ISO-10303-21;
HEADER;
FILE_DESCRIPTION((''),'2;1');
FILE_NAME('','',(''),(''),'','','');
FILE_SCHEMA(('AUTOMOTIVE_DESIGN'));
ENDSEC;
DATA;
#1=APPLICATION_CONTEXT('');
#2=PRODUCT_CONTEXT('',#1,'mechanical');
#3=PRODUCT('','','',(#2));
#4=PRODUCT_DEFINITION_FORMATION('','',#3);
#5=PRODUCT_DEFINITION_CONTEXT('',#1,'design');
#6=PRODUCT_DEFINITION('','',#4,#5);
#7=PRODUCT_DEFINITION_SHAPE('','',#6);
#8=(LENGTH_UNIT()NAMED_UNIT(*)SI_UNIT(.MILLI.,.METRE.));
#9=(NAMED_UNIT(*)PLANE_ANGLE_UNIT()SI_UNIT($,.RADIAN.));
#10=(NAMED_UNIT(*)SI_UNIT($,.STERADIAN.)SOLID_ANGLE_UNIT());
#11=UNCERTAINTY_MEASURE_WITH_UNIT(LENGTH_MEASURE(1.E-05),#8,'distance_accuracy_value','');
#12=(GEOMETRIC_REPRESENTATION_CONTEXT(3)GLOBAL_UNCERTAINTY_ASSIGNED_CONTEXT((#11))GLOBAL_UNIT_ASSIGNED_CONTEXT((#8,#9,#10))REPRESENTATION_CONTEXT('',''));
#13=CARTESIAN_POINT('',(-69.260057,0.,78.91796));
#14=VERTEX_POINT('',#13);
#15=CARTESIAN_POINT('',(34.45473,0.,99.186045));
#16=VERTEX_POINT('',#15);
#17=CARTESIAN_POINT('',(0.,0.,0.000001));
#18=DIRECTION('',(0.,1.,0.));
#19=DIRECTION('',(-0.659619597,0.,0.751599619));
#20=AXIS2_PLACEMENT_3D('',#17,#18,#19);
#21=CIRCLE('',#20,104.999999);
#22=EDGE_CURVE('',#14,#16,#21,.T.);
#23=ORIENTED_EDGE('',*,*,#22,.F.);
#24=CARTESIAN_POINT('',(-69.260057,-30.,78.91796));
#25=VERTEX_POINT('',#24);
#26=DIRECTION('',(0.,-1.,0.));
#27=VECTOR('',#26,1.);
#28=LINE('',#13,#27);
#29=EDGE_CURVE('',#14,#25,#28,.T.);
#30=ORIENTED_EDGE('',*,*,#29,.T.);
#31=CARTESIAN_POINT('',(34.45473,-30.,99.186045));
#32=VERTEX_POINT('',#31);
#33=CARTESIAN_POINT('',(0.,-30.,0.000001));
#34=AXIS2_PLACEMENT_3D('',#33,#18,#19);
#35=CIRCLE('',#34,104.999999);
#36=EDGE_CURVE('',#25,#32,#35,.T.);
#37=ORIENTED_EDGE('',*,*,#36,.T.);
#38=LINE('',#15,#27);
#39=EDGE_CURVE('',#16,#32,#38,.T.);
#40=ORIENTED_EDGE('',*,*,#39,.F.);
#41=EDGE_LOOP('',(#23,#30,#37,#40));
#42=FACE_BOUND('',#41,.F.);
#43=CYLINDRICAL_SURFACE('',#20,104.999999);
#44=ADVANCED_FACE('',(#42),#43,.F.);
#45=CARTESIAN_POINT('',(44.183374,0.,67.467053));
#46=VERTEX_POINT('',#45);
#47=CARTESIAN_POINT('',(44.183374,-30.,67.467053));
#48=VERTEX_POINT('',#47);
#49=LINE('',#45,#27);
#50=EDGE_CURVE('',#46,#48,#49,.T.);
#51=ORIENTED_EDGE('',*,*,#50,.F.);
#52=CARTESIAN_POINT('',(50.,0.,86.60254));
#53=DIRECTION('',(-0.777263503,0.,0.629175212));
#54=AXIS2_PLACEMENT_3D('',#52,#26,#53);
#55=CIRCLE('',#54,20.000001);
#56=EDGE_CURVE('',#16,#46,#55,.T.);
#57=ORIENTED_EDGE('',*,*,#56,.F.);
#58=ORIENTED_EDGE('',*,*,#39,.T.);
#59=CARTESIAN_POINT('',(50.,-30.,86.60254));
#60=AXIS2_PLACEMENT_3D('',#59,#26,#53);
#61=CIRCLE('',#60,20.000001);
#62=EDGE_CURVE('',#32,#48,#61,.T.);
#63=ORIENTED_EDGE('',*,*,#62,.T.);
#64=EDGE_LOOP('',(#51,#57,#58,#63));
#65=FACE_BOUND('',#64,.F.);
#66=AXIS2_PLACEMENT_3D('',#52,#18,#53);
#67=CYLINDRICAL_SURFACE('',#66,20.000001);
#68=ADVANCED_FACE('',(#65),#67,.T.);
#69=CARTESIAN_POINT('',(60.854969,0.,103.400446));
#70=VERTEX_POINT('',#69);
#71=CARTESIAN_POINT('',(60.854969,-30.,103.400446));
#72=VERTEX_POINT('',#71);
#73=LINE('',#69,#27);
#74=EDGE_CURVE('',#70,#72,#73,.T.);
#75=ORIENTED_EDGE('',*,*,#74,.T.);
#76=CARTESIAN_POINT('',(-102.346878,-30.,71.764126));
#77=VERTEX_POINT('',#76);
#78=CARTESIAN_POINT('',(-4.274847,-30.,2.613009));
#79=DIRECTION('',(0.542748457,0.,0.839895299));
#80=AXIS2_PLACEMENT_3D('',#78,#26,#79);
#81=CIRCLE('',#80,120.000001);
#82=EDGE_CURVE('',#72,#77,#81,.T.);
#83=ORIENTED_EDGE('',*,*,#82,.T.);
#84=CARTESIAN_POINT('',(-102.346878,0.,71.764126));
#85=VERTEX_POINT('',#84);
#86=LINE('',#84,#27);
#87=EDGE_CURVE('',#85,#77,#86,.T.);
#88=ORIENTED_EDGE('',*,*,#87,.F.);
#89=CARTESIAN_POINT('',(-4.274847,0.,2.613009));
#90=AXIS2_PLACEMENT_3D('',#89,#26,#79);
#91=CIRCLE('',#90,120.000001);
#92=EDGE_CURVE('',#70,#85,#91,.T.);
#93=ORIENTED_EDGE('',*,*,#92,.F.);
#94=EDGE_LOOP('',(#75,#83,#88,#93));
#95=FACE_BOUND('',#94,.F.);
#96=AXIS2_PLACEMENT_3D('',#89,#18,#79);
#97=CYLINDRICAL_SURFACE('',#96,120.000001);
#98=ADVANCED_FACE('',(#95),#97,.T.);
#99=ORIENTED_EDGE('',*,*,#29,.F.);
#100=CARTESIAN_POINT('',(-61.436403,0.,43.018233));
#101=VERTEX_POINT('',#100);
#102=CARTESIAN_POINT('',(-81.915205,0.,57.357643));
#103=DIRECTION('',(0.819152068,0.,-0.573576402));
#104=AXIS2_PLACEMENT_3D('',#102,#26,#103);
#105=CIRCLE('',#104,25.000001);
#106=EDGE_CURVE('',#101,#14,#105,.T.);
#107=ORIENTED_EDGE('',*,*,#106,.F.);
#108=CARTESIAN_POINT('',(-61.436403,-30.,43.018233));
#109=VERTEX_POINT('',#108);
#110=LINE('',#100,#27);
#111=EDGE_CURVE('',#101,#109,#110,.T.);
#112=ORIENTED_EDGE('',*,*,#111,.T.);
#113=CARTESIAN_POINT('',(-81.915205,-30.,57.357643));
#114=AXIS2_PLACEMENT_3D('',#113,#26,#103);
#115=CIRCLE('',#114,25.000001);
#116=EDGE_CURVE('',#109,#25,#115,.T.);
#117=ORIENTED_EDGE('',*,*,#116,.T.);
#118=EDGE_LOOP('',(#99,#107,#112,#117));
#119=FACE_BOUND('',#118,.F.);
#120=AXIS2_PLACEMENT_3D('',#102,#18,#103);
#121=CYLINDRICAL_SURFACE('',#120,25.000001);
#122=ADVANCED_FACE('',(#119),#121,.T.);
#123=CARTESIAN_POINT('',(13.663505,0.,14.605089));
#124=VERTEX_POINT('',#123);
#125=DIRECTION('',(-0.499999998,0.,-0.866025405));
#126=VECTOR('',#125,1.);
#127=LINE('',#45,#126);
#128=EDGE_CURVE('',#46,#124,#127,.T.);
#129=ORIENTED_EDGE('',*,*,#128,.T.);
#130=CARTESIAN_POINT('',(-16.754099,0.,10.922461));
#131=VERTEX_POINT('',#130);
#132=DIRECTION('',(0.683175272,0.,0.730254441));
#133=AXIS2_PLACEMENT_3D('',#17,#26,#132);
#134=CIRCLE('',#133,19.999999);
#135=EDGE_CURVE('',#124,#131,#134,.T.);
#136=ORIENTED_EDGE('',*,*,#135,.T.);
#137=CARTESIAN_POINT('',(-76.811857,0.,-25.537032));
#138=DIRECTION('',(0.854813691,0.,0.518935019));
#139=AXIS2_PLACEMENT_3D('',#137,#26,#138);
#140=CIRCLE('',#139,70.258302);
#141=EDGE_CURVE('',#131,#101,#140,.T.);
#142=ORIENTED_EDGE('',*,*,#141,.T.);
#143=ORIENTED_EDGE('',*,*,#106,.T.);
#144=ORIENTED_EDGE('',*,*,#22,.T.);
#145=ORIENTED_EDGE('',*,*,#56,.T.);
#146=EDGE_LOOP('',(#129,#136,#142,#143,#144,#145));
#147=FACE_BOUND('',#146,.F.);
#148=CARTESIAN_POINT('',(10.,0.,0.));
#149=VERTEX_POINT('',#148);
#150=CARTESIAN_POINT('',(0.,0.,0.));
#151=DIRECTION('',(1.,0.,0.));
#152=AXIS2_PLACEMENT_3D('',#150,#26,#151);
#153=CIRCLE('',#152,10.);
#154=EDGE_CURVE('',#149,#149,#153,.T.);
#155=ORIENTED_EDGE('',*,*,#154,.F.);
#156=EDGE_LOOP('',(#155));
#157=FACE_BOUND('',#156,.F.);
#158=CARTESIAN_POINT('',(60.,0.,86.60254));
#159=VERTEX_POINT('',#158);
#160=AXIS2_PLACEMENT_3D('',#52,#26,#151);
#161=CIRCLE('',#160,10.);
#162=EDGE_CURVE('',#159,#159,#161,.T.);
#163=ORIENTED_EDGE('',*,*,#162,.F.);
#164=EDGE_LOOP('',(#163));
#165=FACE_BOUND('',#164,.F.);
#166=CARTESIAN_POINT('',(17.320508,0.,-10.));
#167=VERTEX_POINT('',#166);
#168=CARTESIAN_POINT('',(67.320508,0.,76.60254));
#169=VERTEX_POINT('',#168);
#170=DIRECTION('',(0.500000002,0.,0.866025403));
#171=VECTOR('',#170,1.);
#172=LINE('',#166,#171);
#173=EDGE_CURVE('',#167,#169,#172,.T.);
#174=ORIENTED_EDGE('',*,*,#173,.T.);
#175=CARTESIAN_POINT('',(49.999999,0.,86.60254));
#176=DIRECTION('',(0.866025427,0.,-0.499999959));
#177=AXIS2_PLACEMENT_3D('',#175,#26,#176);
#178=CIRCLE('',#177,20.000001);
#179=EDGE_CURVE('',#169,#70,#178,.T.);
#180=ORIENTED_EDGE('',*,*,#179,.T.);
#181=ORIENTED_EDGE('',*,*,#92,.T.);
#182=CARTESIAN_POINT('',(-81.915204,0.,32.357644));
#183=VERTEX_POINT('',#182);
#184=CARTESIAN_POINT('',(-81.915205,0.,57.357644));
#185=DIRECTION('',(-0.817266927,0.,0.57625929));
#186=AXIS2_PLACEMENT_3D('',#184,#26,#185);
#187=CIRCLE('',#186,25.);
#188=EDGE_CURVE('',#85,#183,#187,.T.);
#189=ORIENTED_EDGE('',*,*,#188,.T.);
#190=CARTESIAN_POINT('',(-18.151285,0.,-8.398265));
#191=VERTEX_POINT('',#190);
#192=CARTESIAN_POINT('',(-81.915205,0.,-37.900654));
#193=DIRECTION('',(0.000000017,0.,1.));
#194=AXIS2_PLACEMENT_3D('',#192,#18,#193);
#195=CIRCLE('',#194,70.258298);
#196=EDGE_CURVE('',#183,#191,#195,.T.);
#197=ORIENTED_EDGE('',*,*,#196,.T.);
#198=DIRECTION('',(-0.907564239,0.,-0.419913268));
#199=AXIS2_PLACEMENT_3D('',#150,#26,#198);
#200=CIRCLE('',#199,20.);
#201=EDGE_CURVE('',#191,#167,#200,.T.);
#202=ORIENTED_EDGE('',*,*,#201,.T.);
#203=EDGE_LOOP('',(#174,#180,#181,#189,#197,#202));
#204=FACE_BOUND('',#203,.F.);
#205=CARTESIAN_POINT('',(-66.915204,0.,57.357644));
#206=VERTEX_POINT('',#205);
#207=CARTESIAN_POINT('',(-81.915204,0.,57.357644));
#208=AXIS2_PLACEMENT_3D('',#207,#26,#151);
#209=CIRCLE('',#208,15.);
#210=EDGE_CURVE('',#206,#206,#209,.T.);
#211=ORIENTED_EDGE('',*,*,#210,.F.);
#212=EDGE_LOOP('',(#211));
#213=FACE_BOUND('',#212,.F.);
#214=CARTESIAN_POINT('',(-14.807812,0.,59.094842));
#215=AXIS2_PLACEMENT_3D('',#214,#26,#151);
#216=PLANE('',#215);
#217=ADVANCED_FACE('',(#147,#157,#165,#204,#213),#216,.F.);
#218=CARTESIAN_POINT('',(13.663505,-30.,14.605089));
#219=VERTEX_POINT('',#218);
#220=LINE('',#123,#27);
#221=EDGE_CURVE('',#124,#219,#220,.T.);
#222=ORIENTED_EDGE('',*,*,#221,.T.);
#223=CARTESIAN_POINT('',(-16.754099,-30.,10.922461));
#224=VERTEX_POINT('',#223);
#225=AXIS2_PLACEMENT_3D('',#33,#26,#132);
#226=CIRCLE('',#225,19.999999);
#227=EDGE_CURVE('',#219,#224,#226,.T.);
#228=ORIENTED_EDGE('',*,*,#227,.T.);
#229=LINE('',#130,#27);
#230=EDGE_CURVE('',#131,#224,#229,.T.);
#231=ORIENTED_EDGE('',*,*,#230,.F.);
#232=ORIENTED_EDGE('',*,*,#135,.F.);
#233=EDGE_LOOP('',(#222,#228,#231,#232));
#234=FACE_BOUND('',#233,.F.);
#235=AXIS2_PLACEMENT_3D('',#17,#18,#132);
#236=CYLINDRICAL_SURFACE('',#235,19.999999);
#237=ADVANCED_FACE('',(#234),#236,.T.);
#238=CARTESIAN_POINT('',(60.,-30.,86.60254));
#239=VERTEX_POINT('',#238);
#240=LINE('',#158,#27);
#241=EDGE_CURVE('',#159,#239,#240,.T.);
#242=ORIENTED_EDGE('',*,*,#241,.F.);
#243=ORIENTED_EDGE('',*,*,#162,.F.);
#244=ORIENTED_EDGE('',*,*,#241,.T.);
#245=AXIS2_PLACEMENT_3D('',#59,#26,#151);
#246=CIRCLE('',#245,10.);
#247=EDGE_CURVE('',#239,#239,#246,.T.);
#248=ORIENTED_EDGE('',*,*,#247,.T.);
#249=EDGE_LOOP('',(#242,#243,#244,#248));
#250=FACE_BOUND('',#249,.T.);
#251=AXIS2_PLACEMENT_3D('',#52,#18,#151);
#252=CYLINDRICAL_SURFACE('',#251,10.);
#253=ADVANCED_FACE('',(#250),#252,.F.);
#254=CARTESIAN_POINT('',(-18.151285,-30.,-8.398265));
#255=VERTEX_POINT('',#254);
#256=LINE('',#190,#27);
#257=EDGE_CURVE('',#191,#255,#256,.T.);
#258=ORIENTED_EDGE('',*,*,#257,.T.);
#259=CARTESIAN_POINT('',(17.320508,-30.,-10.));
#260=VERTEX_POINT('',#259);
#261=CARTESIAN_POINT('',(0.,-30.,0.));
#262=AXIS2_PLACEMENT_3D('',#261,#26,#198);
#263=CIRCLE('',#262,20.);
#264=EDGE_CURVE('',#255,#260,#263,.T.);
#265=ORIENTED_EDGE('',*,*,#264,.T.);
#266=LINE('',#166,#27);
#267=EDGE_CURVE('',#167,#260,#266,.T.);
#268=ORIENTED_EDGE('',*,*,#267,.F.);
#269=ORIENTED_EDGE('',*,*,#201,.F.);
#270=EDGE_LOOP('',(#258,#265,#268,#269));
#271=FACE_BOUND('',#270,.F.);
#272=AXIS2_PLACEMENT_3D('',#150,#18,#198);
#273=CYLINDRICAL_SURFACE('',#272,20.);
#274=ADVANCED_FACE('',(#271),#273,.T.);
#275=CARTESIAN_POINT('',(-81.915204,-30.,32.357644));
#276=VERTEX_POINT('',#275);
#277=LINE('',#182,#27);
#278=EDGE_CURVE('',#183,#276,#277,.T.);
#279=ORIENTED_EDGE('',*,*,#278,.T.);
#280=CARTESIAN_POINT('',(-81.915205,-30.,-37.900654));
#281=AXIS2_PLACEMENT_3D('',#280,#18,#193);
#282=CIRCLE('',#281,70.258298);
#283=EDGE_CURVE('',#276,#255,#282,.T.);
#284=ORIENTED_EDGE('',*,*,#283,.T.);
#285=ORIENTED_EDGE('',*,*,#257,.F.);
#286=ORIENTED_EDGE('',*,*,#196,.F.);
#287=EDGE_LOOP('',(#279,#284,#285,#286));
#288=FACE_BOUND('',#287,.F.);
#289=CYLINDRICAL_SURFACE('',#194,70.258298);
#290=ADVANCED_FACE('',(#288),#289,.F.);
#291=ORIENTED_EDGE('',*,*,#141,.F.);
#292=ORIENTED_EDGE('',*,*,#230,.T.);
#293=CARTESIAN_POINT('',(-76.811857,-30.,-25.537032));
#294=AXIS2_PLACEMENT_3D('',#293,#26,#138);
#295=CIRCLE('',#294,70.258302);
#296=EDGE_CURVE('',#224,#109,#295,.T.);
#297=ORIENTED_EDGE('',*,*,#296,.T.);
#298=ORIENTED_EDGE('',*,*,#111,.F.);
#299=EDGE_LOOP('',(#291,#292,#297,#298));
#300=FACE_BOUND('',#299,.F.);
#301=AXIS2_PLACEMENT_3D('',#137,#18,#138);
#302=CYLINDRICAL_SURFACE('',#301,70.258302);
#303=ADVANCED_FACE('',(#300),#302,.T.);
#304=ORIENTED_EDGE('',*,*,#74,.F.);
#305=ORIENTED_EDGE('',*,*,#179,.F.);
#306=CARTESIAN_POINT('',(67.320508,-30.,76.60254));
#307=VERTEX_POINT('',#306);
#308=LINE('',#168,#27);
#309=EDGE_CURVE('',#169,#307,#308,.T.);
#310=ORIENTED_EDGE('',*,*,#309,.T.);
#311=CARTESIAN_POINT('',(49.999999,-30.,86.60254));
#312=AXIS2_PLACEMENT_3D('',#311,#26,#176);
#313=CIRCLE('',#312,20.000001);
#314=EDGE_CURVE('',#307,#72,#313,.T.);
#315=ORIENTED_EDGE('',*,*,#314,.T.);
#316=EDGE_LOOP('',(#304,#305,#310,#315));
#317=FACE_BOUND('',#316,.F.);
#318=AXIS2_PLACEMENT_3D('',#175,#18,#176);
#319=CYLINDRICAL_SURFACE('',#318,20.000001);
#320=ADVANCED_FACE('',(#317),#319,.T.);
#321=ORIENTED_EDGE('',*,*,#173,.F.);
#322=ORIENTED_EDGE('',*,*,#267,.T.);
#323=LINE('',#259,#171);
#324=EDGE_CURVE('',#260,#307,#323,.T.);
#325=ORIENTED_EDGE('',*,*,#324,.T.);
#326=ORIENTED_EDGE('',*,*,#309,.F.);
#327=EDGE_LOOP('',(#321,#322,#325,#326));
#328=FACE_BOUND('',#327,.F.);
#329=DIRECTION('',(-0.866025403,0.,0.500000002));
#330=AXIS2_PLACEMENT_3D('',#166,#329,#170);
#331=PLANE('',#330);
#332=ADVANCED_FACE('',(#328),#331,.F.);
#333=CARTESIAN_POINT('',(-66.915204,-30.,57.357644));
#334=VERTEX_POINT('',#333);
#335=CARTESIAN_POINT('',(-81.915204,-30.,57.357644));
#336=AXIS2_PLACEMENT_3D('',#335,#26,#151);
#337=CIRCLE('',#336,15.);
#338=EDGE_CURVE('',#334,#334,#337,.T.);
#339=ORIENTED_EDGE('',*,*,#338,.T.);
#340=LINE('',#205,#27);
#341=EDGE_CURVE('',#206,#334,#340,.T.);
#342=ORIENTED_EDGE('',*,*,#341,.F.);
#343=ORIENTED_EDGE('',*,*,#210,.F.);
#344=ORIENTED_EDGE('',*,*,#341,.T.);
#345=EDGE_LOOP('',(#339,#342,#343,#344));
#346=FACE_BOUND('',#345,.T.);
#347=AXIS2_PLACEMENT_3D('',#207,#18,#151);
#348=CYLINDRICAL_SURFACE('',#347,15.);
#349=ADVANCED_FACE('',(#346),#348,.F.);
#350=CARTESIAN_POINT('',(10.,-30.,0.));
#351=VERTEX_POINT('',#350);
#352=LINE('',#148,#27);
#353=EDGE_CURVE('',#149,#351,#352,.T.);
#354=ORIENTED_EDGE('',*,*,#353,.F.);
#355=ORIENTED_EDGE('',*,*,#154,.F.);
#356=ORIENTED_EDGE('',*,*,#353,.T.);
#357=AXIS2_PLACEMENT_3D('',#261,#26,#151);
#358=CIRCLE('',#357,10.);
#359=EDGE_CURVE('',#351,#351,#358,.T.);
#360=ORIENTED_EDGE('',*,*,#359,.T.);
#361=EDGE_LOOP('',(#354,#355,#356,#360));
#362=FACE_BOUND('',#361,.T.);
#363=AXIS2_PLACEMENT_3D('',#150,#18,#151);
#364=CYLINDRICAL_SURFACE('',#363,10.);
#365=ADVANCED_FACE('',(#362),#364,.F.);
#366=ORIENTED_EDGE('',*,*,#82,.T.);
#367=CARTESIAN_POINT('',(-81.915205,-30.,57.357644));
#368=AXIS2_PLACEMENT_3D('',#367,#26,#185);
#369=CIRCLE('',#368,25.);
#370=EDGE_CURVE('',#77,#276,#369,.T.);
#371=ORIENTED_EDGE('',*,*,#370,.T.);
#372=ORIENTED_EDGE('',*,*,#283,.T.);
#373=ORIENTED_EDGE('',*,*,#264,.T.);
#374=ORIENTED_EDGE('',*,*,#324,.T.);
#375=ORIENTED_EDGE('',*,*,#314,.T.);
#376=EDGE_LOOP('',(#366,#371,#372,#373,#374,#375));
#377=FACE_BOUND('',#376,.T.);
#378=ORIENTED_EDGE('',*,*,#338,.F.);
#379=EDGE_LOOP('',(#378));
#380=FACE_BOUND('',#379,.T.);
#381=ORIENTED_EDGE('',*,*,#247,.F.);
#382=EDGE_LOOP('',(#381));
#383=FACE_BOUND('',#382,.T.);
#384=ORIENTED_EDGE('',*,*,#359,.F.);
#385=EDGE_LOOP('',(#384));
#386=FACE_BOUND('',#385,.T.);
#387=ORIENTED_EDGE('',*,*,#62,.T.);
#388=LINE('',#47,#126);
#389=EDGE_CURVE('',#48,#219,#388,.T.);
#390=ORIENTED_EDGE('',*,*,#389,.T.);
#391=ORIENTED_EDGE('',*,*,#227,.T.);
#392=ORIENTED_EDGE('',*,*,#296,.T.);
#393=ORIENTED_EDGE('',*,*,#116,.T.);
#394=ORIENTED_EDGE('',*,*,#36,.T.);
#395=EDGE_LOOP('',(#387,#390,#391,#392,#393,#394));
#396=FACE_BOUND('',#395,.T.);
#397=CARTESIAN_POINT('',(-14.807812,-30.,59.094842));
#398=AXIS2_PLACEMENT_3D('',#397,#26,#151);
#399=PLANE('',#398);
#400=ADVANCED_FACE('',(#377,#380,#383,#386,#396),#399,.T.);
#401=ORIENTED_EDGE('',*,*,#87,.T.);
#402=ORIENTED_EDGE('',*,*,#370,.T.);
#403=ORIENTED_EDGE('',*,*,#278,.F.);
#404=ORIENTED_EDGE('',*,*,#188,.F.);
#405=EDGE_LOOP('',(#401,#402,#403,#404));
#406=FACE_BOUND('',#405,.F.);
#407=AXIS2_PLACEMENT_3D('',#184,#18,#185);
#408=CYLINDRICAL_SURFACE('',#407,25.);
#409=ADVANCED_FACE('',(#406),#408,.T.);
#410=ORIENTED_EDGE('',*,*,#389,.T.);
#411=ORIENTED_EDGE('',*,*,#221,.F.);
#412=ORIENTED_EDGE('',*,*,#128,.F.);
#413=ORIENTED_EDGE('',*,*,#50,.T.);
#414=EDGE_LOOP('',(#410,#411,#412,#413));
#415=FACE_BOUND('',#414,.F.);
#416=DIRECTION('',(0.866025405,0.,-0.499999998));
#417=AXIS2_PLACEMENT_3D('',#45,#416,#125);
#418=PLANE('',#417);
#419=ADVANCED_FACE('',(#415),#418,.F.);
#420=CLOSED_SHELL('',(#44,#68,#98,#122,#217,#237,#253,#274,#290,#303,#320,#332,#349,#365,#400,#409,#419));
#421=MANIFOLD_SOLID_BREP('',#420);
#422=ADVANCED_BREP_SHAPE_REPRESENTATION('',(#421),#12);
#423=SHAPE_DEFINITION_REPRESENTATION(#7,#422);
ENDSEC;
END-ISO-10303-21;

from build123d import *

# Parameters (mm, degrees)
F0_R     = 10
F0_R_2   = 15
F1_DEPTH = 30


with BuildPart() as f1:
    # F0 (on Front) → F1 (new body)
    with BuildSketch(Plane.XZ):
        with BuildLine():
            ThreePointArc((-81.915204, 32.357644), (-44.077123, 21.298231), (-18.151285, -8.398265))
            ThreePointArc((-18.151285, -8.398265), (-0.902184, -19.979641), (17.320508, -10))
            Line((17.320508, -10), (67.320508, 76.60254))
            ThreePointArc((67.320508, 76.60254), (69.442127, 91.293348), (60.854969, 103.400446))
            ThreePointArc((60.854969, 103.400446), (-27.111474, 120.420007), (-102.346878, 71.764126))
            ThreePointArc((-102.346878, 71.764126), (-104.109371, 45.850299), (-81.915204, 32.357644))
        make_face()
        Circle(F0_R, mode=Mode.SUBTRACT)
        with Locations((-81.915204, 57.357644)):
            Circle(F0_R_2, mode=Mode.SUBTRACT)
        with BuildLine():
            ThreePointArc((-69.260057, 78.91796), (-20.13831, 103.050708), (34.45473, 99.186045))
            ThreePointArc((34.45473, 99.186045), (30.879167, 80.737922), (44.183374, 67.467053))
            Line((44.183374, 67.467053), (13.663505, 14.605089))
            ThreePointArc((13.663505, 14.605089), (-2.403826, 19.855015), (-16.754099, 10.922461))
            ThreePointArc((-16.754099, 10.922461), (-35.823115, 31.52567), (-61.436403, 43.018233))
            ThreePointArc((-61.436403, 43.018233), (-57.488534, 62.680966), (-69.260057, 78.91796))
        make_face(mode=Mode.SUBTRACT)
        with Locations((50, 86.60254)):
            Circle(F0_R, mode=Mode.SUBTRACT)
    extrude(amount=F1_DEPTH)


solid = f1.part
